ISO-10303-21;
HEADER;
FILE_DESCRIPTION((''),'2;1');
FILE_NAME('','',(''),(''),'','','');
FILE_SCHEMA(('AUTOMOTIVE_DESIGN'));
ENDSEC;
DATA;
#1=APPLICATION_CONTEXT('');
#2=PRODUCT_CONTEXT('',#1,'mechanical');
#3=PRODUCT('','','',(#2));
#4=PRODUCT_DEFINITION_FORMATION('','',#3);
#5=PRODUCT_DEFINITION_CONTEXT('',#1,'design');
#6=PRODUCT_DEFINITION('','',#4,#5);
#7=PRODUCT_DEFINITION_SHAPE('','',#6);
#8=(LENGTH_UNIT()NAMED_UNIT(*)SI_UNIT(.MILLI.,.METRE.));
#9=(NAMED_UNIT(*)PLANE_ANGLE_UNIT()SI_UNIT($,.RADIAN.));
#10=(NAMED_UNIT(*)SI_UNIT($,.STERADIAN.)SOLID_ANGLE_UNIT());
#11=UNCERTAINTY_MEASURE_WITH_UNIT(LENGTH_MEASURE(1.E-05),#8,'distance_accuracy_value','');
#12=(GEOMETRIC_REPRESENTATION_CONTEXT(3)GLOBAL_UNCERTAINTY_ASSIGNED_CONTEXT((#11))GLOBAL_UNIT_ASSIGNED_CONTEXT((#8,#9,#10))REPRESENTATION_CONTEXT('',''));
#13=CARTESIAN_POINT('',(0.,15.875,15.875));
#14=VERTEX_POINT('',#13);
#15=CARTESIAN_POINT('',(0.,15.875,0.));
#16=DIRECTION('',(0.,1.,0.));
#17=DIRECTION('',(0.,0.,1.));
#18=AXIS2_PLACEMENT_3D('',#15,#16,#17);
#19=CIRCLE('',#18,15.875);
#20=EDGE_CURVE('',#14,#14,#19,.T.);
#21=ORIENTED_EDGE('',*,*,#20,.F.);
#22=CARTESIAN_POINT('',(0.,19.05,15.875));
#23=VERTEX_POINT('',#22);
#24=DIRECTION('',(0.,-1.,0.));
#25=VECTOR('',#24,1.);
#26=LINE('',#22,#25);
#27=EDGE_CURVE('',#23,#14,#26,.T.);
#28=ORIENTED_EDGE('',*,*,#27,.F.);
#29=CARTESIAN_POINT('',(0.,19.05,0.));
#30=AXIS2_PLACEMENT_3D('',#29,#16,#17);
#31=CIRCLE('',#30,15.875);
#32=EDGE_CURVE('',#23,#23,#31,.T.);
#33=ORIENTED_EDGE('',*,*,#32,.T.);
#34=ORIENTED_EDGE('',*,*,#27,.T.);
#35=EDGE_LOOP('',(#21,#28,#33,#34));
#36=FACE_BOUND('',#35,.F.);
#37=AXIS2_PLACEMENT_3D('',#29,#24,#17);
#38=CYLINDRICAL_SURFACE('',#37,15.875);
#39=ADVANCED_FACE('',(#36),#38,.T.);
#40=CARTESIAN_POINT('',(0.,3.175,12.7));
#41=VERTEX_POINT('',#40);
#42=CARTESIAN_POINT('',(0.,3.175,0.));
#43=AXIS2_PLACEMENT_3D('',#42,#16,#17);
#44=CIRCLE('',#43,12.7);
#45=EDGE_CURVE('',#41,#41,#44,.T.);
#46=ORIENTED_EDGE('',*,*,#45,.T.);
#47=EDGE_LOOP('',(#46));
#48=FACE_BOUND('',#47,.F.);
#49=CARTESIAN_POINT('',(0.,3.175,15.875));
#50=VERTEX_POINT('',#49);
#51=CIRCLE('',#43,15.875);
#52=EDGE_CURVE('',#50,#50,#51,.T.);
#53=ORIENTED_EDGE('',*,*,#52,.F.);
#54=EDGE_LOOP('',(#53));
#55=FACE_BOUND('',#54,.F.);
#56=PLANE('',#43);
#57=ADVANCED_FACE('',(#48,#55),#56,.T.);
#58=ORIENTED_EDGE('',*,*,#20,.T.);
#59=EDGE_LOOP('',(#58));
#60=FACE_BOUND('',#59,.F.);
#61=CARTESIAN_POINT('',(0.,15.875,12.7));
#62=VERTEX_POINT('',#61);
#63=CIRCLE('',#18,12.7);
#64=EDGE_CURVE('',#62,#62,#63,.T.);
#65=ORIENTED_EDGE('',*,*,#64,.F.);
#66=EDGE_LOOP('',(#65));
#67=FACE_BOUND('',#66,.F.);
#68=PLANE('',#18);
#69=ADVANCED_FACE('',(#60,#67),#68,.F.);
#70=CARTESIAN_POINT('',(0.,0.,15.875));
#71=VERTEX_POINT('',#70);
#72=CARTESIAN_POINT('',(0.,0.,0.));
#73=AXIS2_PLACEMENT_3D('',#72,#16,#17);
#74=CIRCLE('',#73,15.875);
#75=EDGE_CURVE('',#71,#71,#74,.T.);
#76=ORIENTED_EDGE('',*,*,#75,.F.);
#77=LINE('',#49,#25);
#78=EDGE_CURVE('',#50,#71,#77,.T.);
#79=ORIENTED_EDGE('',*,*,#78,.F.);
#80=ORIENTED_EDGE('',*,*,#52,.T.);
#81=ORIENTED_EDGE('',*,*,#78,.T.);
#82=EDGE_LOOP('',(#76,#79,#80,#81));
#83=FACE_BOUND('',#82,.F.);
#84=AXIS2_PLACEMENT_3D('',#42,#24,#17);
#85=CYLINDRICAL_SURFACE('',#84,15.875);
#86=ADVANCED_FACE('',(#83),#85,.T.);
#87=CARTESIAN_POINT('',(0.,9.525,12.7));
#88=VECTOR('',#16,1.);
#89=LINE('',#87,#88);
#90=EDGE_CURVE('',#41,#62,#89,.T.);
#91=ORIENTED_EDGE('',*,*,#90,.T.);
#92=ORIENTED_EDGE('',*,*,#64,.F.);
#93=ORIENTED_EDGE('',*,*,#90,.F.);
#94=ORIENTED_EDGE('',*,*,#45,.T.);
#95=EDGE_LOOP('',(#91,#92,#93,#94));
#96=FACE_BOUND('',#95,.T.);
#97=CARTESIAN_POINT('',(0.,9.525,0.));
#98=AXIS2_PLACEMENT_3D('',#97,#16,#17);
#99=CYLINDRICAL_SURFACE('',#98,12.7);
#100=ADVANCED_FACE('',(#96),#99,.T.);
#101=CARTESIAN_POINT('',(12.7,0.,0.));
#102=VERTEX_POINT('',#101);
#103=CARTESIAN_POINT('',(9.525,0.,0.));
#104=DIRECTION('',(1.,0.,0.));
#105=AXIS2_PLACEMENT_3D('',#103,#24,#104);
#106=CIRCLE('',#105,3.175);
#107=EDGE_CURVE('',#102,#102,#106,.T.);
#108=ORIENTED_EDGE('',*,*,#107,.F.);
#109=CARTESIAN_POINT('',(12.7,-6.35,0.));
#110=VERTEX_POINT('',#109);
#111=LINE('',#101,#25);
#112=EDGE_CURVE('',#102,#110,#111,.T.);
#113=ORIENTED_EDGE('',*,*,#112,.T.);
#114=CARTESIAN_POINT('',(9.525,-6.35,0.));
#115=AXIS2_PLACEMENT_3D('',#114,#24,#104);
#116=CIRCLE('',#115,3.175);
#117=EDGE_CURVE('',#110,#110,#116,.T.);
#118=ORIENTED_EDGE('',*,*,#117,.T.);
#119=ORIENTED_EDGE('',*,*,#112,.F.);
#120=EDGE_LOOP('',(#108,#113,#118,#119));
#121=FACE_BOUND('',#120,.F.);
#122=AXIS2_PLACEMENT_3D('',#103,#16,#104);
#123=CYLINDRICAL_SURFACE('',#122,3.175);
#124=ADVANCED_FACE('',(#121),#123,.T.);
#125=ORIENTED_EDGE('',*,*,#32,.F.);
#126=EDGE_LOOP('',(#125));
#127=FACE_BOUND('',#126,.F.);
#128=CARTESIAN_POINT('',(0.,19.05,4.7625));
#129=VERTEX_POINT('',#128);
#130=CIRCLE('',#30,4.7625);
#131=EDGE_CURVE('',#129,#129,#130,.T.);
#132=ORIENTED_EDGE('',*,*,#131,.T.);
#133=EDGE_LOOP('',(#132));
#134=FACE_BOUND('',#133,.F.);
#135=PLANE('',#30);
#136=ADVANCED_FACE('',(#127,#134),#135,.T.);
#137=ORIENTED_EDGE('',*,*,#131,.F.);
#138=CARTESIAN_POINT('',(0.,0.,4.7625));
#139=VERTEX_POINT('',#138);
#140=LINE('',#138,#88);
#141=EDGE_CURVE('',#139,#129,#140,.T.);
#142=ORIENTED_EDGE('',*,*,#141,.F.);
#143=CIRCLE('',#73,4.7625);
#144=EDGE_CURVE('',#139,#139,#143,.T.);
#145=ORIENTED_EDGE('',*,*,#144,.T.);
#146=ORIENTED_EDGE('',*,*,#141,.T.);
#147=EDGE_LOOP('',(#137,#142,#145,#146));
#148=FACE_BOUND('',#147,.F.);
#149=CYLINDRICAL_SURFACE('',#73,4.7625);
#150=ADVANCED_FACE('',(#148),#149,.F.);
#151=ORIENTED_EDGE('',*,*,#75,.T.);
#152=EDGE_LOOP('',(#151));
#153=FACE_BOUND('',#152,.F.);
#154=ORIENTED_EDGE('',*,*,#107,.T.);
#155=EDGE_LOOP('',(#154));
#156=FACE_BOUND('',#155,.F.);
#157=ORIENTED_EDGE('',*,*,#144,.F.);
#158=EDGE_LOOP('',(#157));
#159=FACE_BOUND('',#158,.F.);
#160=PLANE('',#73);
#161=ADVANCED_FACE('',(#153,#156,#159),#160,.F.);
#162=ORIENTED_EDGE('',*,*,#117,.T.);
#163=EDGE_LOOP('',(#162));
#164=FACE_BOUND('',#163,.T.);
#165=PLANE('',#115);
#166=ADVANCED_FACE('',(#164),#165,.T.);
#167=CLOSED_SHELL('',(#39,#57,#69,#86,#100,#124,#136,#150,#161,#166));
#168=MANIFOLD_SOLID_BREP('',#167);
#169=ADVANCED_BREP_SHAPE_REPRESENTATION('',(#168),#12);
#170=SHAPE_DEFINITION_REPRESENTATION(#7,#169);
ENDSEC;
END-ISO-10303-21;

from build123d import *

# Parameters (mm, degrees)
F0_W     = 12.7
F0_H     = 7.9375
F2_R     = 3.175
F3_DEPTH = 6.35


with BuildPart() as f1:
    # F0 (on Right) → F1 (revolve)
    with BuildSketch(Plane.YZ):
        with Locations((9.525, 8.73125)):
            Rectangle(F0_W, F0_H)
        Polygon((0, 4.7625), (3.175, 4.7625), (3.175, 12.7), (3.175, 15.875), (0, 15.875), align=None)
        Polygon((15.875, 4.7625), (19.05, 4.7625), (19.05, 15.875), (15.875, 15.875), (15.875, 12.7), align=None)
    revolve(axis=Axis((0, 9.525, 0), (0, 1, 0)))

    # F2 (on Front) → F3 (join)
    with BuildSketch(Plane.XZ):
        with Locations((9.525, 0)):
            Circle(F2_R)
    extrude(amount=F3_DEPTH)


solid = f1.part
